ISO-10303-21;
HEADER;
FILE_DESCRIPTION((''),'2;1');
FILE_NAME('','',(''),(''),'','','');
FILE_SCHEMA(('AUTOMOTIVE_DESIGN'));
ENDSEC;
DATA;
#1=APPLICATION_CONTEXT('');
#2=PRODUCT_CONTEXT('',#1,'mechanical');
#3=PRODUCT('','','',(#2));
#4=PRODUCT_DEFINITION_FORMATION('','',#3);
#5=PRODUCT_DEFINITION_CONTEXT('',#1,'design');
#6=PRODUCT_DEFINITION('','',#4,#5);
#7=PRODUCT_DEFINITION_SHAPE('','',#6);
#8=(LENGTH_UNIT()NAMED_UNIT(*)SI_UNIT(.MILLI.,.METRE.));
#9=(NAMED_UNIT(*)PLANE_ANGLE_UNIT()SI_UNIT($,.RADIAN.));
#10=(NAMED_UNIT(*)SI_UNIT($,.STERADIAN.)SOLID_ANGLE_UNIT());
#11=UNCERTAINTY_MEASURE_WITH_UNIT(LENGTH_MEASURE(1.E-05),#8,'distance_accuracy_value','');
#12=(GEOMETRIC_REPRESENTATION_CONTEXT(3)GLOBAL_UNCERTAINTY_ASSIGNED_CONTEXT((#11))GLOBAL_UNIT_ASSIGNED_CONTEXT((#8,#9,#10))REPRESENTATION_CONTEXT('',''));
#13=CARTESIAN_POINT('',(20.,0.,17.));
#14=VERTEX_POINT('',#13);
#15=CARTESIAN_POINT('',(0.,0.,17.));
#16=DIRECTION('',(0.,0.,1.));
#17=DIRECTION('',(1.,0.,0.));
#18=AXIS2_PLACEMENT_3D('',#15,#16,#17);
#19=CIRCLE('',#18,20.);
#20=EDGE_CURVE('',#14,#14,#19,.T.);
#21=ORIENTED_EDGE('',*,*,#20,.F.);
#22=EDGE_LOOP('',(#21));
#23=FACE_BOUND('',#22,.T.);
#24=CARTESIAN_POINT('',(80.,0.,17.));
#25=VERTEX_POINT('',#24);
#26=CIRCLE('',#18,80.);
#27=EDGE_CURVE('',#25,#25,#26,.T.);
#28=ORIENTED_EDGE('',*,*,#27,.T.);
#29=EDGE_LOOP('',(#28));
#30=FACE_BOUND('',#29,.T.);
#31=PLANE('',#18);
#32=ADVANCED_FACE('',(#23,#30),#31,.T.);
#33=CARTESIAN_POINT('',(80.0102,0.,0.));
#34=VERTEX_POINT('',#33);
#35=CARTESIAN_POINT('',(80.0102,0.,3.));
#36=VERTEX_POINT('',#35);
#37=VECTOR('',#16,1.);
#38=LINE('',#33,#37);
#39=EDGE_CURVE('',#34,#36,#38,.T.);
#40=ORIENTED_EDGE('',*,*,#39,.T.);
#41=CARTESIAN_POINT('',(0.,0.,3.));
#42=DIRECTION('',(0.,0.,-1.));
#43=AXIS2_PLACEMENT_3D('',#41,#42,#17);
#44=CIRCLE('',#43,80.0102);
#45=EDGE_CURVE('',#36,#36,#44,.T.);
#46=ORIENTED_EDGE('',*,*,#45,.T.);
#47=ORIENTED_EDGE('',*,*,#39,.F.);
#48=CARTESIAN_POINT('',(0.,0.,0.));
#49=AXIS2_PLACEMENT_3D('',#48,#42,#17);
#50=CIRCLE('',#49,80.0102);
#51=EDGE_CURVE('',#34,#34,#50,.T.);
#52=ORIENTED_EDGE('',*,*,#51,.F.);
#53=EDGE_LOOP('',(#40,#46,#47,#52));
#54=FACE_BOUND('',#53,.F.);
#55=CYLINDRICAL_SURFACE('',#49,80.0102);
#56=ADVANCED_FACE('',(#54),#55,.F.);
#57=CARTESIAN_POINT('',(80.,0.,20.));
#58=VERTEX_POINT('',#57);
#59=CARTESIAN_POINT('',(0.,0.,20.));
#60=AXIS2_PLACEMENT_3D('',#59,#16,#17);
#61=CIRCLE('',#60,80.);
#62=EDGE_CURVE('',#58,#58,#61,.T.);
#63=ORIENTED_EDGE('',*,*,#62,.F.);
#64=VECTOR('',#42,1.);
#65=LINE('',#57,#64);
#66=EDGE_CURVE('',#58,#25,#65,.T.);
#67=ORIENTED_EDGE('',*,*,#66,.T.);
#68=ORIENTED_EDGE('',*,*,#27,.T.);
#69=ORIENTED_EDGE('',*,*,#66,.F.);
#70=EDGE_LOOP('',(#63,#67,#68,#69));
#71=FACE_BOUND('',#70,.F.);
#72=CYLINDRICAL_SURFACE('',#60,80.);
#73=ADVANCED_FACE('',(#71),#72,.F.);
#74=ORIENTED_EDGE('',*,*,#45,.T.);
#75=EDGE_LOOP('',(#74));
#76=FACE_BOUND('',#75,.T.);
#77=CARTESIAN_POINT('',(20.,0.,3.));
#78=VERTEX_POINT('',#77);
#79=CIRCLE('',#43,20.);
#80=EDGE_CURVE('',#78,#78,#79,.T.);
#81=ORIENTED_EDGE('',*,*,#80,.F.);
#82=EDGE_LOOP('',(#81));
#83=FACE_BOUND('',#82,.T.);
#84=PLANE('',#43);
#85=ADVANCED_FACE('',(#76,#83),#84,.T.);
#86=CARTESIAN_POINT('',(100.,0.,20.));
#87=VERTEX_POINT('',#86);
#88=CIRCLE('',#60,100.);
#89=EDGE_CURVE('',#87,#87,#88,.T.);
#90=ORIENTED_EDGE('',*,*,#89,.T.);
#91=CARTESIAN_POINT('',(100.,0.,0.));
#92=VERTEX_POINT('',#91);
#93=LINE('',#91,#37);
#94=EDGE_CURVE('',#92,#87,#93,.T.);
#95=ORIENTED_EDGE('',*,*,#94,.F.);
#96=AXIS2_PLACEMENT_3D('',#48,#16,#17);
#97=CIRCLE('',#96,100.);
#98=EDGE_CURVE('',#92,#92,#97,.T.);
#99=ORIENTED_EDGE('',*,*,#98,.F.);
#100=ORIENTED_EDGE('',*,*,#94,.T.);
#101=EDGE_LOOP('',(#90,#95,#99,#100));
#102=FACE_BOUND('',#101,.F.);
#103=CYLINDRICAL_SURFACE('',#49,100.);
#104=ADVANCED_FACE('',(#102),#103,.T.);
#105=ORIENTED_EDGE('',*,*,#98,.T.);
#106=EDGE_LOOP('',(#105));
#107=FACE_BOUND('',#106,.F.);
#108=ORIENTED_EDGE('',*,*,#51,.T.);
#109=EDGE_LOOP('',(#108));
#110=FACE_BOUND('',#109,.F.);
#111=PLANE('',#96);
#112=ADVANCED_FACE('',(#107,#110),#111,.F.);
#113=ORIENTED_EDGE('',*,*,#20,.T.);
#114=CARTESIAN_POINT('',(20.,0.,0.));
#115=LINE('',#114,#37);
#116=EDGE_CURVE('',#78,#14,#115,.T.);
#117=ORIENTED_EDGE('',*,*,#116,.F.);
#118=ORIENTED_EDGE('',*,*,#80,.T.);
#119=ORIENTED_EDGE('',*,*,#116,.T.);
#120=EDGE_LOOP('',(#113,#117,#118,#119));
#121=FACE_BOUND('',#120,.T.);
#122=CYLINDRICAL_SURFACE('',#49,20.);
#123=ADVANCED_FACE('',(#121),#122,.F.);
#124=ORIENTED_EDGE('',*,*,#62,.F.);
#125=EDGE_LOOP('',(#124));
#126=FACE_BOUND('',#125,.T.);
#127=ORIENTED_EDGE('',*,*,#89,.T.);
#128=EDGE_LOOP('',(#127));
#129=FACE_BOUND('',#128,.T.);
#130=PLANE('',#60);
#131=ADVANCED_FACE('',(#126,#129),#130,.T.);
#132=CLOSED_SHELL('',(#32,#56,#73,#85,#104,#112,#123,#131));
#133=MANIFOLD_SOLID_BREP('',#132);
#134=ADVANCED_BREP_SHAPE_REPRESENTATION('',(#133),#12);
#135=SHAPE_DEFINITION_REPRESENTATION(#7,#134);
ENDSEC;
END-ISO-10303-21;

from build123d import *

# Parameters (mm, degrees)
F0_R     = 100
F0_R_2   = 95
F0_R_3   = 80
F0_R_4   = 20
F1_DEPTH = 20
F2_R     = 80
F2_R_2   = 20
F3_DEPTH = 3
F4_R     = 80.0102
F4_R_2   = 20
F5_DEPTH = 3


with BuildPart() as f1:
    # F0 (on Top) → F1 (new body)
    with BuildSketch(Plane.XY):
        Circle(F0_R)
        Circle(F0_R_2, mode=Mode.SUBTRACT)
        Circle(F0_R_2)
        Circle(F0_R_3, mode=Mode.SUBTRACT)
        Circle(F0_R_3)
        Circle(F0_R_4, mode=Mode.SUBTRACT)
    extrude(amount=F1_DEPTH)

    # F2 (on face) → F3 (cut)
    with BuildSketch(Plane.XY.offset(20)):
        Circle(F2_R)
        Circle(F2_R_2, mode=Mode.SUBTRACT)
    extrude(amount=-F3_DEPTH, mode=Mode.SUBTRACT)

    # F4 (on face) → F5 (cut)
    with BuildSketch(Plane(origin=(0, 0, 0), x_dir=(1, 0, 0), z_dir=(0, 0, -1))):
        Circle(F4_R)
        Circle(F4_R_2, mode=Mode.SUBTRACT)
    extrude(amount=-F5_DEPTH, mode=Mode.SUBTRACT)


solid = f1.part
